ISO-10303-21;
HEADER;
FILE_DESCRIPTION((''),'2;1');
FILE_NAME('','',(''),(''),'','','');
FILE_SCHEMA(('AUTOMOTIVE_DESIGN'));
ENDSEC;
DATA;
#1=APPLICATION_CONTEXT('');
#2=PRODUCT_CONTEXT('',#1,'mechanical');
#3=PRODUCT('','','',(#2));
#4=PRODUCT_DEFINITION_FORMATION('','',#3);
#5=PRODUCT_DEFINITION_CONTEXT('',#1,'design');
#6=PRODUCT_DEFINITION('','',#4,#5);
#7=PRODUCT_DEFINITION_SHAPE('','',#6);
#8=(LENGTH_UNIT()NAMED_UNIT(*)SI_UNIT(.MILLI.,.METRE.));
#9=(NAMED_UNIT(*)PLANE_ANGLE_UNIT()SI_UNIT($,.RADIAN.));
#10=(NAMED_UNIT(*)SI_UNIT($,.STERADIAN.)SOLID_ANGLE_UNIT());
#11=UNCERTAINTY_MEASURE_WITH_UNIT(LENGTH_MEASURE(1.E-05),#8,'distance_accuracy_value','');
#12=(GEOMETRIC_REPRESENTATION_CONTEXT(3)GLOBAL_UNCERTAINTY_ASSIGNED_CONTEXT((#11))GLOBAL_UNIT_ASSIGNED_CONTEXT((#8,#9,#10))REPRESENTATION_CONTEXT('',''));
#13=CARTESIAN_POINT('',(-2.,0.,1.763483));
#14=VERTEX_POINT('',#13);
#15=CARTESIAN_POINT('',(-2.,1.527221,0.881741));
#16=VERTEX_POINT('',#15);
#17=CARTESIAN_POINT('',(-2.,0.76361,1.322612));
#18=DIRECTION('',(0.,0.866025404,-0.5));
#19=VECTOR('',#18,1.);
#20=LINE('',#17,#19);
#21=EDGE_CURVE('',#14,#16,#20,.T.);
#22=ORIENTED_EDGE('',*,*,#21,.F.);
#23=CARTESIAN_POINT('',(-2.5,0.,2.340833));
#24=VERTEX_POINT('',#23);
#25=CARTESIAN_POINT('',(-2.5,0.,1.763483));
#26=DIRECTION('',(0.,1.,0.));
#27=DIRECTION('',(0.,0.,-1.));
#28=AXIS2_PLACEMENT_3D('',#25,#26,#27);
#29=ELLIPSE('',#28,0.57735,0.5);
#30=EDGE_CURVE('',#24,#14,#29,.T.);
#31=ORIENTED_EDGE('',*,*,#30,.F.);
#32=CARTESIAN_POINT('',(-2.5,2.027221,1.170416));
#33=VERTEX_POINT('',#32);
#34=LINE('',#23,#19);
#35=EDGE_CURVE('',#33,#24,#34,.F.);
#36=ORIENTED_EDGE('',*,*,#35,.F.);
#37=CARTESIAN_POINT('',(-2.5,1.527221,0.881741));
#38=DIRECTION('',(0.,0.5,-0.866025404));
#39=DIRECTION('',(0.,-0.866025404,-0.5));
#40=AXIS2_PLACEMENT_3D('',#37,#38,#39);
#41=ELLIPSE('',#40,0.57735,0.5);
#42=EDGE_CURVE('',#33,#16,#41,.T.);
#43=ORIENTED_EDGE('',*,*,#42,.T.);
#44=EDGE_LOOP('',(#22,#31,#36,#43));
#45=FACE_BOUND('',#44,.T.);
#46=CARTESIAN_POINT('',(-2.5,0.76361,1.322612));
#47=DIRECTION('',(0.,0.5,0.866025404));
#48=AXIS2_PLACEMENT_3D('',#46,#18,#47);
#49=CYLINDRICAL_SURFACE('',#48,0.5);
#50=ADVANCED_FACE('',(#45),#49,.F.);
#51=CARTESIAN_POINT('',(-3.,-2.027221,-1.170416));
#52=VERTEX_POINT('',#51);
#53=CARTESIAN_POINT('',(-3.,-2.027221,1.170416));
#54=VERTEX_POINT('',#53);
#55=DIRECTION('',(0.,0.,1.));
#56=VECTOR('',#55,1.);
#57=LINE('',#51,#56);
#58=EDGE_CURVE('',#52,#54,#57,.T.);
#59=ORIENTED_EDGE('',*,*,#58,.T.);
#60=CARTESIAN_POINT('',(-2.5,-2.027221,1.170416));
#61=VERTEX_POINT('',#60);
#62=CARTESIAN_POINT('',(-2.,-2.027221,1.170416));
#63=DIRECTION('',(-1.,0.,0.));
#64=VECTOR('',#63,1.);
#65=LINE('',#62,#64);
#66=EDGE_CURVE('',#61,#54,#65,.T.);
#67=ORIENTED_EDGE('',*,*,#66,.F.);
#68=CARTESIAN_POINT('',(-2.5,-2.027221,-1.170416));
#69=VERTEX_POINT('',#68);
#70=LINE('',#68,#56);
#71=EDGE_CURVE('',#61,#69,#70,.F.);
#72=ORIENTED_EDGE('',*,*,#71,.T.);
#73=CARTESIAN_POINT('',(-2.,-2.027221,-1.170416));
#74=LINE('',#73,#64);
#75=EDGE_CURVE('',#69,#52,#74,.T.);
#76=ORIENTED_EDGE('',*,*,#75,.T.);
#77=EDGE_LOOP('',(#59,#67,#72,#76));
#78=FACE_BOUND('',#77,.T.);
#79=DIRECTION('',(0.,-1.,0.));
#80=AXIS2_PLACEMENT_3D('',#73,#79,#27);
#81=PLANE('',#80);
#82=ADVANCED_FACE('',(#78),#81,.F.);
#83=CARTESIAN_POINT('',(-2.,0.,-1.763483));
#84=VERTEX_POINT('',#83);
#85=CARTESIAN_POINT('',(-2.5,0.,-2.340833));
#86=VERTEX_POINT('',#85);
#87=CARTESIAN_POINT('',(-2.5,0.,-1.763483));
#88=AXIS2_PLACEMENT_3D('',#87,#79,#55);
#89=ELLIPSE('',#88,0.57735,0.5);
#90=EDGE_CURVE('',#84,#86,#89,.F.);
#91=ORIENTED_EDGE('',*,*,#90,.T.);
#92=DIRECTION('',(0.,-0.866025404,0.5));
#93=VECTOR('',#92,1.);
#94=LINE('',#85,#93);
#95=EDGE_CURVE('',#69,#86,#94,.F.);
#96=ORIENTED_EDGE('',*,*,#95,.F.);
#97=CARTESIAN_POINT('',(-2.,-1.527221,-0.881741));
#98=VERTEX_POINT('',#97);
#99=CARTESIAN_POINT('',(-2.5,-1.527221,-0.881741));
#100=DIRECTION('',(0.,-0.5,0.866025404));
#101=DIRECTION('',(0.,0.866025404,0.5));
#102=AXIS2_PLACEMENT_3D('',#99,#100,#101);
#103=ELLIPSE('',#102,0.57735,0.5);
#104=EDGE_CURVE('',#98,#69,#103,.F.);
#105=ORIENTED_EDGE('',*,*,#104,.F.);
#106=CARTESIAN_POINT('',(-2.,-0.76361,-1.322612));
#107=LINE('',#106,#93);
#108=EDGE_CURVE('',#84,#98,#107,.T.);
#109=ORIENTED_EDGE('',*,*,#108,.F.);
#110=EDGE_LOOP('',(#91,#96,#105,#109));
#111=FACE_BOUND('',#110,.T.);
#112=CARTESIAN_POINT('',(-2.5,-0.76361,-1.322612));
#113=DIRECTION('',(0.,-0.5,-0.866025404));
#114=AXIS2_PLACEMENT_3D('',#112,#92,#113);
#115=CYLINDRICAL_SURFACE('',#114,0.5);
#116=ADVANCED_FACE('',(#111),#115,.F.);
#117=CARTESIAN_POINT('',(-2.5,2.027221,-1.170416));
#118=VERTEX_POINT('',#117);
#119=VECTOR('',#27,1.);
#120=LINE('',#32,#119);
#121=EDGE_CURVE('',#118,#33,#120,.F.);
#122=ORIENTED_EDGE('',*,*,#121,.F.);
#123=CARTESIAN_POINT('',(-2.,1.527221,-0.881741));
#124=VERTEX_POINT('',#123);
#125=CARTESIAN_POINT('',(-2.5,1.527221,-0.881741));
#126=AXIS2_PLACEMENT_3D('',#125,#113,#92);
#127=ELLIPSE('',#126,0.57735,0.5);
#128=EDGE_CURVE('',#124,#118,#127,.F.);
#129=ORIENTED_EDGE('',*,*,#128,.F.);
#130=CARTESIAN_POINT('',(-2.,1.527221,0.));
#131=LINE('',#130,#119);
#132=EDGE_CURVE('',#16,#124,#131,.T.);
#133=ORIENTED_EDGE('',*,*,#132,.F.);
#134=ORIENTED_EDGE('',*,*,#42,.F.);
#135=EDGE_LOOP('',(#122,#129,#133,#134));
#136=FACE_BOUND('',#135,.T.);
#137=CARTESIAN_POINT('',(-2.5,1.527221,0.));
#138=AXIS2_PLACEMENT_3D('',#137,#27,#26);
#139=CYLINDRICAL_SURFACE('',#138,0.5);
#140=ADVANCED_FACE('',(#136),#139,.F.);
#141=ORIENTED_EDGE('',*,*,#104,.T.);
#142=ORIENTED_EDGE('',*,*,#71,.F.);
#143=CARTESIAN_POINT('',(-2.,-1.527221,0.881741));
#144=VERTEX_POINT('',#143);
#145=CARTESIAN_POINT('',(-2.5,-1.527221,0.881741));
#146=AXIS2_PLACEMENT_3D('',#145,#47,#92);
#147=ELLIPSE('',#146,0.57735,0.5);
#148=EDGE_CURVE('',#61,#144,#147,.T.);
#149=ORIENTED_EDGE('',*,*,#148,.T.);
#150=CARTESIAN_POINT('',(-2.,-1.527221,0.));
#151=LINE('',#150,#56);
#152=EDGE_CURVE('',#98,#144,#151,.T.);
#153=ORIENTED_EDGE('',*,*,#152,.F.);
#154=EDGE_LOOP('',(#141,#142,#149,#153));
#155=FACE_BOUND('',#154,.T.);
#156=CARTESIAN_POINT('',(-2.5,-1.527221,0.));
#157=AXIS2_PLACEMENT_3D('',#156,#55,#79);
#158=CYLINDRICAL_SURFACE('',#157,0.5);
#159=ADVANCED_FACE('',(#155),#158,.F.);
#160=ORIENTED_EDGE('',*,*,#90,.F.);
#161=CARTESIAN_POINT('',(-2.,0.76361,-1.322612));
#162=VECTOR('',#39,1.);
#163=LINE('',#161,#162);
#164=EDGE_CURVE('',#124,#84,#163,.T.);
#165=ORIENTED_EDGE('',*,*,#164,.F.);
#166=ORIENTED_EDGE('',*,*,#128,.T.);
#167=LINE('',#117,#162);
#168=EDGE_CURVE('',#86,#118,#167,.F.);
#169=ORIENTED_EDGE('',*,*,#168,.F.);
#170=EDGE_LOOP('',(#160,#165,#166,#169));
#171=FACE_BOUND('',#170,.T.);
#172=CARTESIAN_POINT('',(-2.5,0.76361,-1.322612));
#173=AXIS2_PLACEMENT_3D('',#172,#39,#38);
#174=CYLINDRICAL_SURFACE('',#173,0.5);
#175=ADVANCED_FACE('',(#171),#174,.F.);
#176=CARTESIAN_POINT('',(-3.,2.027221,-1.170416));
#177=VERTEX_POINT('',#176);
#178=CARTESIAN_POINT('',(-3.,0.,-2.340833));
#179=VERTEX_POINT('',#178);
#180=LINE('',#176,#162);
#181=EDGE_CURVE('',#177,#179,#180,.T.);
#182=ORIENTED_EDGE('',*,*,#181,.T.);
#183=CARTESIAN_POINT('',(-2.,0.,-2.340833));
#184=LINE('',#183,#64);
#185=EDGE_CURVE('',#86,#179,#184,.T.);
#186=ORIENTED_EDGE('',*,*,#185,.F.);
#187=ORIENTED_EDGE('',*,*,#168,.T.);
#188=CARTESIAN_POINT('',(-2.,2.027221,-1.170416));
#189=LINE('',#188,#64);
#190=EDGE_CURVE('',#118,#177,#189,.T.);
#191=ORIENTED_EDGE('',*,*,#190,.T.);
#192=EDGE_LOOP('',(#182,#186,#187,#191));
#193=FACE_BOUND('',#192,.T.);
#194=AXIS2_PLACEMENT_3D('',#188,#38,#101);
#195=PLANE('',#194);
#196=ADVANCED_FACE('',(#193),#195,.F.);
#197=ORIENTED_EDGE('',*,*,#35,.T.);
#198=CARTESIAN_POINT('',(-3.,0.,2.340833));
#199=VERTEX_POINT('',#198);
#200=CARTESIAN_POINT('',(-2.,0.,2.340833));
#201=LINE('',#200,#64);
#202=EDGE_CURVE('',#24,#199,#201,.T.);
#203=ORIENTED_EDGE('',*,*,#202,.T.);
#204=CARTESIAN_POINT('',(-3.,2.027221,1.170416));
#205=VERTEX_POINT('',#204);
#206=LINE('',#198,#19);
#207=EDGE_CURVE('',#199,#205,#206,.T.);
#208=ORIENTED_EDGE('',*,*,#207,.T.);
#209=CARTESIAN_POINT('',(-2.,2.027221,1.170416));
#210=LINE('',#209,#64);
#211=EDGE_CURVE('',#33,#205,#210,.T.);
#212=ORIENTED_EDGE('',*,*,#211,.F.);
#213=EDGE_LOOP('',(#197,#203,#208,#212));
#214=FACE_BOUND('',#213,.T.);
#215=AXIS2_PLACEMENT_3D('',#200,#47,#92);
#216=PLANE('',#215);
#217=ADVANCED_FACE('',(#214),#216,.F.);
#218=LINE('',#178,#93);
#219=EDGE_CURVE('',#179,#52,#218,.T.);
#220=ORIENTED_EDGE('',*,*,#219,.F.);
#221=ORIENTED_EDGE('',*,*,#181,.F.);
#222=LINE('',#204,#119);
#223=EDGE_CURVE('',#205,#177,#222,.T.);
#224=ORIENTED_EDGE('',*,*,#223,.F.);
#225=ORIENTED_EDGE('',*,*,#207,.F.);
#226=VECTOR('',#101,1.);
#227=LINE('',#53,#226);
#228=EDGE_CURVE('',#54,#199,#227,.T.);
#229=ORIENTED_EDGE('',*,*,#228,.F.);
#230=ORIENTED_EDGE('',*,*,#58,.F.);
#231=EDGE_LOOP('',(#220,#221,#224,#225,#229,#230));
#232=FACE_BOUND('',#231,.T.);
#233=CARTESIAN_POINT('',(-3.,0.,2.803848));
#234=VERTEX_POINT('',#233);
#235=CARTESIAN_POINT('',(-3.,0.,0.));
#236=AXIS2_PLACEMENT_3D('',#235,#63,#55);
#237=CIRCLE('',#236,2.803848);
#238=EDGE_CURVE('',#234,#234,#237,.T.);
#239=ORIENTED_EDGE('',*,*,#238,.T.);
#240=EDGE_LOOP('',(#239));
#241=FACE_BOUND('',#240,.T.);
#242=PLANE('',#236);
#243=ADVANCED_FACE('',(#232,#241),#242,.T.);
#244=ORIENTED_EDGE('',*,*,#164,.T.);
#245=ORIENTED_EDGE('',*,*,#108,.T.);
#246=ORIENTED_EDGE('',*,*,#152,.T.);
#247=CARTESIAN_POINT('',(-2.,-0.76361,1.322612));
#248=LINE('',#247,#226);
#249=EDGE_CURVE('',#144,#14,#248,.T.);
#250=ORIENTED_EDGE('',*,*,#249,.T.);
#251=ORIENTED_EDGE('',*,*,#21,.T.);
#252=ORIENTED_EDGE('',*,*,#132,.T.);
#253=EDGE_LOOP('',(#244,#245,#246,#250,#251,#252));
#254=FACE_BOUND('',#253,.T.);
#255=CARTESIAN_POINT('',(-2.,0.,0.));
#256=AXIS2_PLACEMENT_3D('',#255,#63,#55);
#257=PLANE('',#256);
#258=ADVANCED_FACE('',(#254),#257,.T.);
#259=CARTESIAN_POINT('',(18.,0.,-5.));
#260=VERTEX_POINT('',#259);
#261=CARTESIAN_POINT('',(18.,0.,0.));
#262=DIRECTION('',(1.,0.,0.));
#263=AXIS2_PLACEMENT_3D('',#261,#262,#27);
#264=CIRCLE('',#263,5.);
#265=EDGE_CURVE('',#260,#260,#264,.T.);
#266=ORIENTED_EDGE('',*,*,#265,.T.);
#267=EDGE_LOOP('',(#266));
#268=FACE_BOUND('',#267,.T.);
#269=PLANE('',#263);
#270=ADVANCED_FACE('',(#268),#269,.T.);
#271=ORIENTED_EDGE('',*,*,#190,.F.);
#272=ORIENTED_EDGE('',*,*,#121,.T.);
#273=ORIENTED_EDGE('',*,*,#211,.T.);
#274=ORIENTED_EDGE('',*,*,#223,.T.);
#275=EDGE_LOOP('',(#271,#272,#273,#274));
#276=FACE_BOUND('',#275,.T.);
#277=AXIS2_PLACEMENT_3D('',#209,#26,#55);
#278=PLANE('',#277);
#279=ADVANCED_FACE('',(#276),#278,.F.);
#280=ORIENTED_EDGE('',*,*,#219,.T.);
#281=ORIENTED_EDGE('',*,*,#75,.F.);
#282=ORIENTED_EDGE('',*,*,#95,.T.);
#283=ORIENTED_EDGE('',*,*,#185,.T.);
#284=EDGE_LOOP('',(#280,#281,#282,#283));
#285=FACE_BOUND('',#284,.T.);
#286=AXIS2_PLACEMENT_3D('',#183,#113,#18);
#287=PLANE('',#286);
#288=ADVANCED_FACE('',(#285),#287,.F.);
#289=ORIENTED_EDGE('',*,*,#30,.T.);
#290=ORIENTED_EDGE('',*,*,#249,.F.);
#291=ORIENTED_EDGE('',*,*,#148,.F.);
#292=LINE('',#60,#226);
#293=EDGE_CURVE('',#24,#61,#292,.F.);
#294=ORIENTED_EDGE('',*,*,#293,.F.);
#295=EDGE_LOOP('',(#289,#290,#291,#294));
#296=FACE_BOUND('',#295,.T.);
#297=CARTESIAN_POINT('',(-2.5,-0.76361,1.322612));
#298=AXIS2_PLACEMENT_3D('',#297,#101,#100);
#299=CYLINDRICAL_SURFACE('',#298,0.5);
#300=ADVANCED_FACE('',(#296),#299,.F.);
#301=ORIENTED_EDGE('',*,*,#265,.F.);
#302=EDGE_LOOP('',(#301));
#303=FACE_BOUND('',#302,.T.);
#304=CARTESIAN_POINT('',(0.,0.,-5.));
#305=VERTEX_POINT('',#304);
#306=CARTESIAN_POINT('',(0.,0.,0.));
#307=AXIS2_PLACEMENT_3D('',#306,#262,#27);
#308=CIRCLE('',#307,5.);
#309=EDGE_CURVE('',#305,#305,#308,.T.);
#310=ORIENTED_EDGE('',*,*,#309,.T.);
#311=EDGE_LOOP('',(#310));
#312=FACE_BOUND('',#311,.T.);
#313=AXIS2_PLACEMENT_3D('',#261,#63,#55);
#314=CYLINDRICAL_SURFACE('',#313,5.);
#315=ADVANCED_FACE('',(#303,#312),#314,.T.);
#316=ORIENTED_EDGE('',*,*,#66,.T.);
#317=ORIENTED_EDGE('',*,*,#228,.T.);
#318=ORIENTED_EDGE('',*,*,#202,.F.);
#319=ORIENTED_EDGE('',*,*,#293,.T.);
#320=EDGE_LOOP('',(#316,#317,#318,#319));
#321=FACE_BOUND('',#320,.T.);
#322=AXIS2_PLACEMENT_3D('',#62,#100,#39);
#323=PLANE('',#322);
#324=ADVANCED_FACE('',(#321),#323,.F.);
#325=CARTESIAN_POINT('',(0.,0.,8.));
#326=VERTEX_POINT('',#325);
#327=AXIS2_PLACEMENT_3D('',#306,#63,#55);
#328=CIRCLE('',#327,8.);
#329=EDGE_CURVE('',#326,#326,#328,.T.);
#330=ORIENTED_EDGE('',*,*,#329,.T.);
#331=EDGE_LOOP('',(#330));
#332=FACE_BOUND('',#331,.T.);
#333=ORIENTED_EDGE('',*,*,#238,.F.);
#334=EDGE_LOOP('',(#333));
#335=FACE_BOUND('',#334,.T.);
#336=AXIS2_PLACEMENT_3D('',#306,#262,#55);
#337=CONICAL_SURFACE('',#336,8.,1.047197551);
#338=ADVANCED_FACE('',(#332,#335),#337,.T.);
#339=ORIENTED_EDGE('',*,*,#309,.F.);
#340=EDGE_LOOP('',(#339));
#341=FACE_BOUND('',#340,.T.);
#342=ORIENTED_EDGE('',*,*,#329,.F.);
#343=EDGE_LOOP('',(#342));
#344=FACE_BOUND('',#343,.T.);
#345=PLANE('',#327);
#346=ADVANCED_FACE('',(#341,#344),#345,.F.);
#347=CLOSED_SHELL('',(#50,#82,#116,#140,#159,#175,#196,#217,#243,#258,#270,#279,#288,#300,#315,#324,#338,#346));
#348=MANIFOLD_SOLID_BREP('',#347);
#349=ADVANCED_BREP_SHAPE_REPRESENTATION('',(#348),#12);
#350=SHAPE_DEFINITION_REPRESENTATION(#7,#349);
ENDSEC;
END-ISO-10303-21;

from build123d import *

# Parameters (mm, degrees)
SKETCH1_R           = 5
BOSS_EXTRUDE1_DEPTH = 18
SKETCH2_R           = 8
BOSS_EXTRUDE2_DEPTH = 3
BOSS_EXTRUDE2_TAPER = 60
CUT_EXTRUDE1_DEPTH  = 1
FILLET1_R           = 0.5


with BuildPart() as part:
    # Sketch1 → Boss-Extrude1 (new body)
    with BuildSketch(Plane(origin=(0, 0, 0), x_dir=(0, 0, -1), z_dir=(1, 0, 0))):
        Circle(SKETCH1_R)
    extrude(amount=BOSS_EXTRUDE1_DEPTH)

    # Sketch2 → Boss-Extrude2 (add)
    with BuildSketch(Plane.ZY):
        Circle(SKETCH2_R)
    extrude(amount=BOSS_EXTRUDE2_DEPTH, taper=BOSS_EXTRUDE2_TAPER)

    # Sketch4 → Cut-Extrude1 (cut)
    with BuildSketch(Plane.ZY.offset(3)):
        Polygon((2.340832904, 0), (1.170416452, 2.027220761), (-1.170416452, 2.027220761), (-2.340832904, 0), (-1.170416452, -2.027220761), (1.170416452, -2.027220761), align=None)
    extrude(amount=-CUT_EXTRUDE1_DEPTH, mode=Mode.SUBTRACT)

    # Fillet1
    fillet1_edges = [part.edges().sort_by_distance(p)[0] for p in [
        (-2, -1.01361038, 1.755624678),
        (-2, -2.027220761, 0),
        (-2, -1.01361038, -1.755624678),
        (-2, 1.01361038, -1.755624678),
        (-2, 2.027220761, 0),
        (-2, 1.01361038, 1.755624678),
    ]]
    fillet(fillet1_edges, radius=FILLET1_R)


solid = part.part
